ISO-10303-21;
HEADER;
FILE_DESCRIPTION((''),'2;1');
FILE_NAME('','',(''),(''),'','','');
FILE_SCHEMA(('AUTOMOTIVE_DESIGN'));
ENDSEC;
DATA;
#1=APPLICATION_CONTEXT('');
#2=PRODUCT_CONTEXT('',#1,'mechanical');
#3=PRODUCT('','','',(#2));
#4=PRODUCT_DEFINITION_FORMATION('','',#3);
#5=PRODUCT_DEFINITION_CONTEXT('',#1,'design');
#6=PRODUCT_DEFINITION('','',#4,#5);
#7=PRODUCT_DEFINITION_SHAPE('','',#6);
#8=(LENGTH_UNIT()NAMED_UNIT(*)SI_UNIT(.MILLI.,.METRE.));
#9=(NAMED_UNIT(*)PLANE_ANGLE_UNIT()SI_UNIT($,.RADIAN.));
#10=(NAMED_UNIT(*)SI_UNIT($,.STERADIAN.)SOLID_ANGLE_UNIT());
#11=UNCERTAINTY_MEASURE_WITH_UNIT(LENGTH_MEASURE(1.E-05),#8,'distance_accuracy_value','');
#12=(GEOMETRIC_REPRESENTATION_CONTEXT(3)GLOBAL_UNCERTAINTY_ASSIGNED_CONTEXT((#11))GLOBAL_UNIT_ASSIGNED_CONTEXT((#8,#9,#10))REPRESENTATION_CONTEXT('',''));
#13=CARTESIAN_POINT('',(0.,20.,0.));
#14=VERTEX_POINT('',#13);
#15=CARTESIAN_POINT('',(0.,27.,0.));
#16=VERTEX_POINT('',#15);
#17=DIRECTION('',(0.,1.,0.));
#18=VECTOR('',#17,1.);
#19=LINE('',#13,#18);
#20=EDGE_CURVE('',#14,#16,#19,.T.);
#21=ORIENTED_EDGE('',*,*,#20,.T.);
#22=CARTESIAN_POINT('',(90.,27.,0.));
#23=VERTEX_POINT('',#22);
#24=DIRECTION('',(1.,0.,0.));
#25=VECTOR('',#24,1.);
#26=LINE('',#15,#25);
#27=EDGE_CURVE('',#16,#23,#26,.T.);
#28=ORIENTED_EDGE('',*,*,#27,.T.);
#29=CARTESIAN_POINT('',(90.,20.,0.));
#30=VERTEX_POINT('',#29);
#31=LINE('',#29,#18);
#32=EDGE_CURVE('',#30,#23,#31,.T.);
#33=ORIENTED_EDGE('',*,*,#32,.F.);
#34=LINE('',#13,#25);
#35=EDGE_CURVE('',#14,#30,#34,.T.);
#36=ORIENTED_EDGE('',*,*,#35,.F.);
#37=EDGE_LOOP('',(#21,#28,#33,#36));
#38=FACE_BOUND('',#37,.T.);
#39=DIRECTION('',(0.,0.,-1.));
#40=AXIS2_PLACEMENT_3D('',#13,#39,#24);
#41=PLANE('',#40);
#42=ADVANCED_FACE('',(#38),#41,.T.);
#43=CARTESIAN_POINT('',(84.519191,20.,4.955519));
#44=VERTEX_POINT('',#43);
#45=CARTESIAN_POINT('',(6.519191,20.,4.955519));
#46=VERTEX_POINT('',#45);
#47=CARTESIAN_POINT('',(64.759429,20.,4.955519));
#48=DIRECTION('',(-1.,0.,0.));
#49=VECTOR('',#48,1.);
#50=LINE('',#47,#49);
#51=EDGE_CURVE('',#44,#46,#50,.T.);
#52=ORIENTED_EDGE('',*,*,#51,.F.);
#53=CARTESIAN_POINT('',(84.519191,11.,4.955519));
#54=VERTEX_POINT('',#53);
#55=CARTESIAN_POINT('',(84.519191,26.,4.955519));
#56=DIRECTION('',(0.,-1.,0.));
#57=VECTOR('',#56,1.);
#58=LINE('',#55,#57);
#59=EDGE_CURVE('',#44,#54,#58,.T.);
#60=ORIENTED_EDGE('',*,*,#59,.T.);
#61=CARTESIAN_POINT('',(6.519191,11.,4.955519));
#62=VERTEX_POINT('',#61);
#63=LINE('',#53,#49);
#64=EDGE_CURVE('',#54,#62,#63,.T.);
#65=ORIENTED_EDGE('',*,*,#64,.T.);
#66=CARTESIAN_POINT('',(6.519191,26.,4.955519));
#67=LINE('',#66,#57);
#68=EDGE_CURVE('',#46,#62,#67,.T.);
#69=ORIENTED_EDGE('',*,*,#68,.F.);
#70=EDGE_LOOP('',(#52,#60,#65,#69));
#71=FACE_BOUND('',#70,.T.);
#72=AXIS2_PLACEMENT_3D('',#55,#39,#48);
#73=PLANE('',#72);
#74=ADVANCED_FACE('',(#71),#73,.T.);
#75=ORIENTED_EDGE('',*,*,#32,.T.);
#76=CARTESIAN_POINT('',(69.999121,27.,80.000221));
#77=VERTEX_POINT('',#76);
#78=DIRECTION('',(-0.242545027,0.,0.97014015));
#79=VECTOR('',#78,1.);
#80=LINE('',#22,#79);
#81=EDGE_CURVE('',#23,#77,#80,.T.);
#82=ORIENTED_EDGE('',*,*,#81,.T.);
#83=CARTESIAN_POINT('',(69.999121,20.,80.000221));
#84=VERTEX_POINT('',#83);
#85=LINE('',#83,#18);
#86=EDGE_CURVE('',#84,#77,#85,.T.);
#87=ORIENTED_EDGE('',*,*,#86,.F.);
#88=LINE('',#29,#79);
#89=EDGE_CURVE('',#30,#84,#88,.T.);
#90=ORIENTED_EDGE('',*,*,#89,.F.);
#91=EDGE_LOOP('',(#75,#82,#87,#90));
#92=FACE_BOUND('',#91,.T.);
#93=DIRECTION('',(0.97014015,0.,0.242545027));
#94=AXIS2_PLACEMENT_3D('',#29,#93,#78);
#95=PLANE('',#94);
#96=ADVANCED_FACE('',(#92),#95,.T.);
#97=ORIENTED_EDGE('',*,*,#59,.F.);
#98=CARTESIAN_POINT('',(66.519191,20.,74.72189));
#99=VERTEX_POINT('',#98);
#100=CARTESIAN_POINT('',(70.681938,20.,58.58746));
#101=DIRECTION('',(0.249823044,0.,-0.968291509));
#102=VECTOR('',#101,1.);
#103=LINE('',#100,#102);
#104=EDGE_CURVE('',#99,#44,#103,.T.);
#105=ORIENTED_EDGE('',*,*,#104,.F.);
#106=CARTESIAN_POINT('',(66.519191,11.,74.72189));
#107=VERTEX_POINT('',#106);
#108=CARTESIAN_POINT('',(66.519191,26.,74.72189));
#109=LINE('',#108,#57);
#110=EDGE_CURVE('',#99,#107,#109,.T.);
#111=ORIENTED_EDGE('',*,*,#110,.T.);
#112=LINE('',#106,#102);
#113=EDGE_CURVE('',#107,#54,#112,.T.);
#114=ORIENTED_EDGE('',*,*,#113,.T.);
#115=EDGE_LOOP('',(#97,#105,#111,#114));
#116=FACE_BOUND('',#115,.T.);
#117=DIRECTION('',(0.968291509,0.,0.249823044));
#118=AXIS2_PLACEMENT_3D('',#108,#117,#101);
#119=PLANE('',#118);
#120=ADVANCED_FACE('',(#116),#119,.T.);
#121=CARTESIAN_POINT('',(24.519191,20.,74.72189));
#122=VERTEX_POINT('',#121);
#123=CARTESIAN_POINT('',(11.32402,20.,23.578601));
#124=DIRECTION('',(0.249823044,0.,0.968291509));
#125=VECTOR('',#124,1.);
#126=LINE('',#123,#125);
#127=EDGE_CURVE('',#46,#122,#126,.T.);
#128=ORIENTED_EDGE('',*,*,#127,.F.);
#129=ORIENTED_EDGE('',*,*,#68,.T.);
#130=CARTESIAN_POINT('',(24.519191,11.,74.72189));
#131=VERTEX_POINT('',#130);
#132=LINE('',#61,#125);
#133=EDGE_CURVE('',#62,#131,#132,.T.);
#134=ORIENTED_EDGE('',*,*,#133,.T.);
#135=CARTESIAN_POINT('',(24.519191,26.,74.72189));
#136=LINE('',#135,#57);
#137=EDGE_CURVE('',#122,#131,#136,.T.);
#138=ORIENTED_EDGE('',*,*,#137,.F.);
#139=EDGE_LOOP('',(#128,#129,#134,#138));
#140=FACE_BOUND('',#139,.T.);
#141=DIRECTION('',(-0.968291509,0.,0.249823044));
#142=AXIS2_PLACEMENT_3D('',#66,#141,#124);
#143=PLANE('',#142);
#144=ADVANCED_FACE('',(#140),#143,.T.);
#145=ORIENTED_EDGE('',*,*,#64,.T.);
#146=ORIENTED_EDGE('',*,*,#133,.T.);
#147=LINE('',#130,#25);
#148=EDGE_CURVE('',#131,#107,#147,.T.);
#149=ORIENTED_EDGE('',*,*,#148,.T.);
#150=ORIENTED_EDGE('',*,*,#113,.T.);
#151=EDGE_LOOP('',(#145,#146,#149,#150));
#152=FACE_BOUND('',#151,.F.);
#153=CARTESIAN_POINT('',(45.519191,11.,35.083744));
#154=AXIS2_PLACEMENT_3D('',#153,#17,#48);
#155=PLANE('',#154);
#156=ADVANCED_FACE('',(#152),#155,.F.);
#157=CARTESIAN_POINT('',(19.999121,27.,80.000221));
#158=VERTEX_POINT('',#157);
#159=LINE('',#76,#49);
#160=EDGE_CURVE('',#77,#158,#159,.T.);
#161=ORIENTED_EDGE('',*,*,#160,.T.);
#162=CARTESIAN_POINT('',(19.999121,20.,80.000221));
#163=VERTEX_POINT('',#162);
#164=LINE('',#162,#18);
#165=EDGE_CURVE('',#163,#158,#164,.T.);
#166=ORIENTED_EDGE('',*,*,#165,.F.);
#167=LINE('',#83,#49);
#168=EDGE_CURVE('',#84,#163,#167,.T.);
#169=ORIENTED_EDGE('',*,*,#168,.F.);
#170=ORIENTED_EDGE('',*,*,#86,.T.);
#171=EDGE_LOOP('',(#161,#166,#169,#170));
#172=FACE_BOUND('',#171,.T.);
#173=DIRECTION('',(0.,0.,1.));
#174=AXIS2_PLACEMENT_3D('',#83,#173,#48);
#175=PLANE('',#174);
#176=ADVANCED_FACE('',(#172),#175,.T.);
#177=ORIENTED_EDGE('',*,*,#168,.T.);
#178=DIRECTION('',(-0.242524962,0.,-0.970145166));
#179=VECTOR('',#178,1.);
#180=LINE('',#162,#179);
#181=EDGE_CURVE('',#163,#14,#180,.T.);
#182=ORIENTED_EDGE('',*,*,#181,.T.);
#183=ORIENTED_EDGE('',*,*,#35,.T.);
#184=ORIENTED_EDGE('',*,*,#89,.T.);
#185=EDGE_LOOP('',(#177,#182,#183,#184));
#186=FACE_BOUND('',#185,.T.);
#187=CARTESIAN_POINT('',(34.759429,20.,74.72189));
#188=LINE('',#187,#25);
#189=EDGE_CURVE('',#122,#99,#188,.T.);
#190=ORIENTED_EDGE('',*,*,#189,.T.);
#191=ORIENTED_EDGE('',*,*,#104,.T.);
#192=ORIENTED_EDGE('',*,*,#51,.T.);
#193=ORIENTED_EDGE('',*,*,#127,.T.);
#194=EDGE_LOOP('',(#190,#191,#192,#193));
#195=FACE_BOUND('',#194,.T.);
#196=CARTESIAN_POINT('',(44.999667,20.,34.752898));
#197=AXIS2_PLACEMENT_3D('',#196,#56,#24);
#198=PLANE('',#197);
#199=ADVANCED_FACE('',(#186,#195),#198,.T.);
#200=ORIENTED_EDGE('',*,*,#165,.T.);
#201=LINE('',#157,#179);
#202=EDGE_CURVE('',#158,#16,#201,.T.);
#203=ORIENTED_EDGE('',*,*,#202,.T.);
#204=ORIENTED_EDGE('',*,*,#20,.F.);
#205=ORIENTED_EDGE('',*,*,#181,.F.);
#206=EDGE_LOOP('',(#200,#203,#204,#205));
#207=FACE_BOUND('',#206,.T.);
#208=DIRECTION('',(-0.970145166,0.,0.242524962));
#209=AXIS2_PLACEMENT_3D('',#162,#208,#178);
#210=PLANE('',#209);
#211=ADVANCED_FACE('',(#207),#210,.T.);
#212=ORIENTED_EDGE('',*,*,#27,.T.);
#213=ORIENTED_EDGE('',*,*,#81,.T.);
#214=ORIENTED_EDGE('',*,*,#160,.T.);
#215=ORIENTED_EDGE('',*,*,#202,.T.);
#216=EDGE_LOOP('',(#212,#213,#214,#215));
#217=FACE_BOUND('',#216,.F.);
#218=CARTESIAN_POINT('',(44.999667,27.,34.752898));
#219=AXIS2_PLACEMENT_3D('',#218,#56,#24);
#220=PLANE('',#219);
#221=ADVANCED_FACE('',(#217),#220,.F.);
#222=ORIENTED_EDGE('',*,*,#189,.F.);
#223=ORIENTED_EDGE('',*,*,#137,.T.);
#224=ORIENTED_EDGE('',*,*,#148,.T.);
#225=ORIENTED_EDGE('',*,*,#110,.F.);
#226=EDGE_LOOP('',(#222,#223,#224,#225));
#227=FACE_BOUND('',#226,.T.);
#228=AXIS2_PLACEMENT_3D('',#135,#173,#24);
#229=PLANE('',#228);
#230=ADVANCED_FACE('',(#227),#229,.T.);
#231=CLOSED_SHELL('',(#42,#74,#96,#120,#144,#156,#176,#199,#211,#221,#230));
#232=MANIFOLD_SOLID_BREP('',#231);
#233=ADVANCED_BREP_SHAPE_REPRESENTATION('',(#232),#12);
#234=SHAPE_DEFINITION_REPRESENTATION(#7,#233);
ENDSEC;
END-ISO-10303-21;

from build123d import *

# Parameters (mm, degrees)
EXTRUDE006_DEPTH = 7
EXTRUDE002_DEPTH = 15


with BuildPart() as extrude006:
    # Sketch007 → Extrude006 (new body)
    with BuildSketch(Plane(origin=(0, 20, 0), x_dir=(-1, 0, 0), z_dir=(0, 1, 0))):
        Polygon((-90, 0), (-69.999121, 80.000221), (-19.999121, 80.000221), (0, 0), align=None)
    extrude(amount=EXTRUDE006_DEPTH)


with BuildPart() as fusion:
    # Sketch003 → Extrude002 (new body)
    with BuildSketch(Plane.XZ):
        Polygon((6.519191, 4.955519), (24.519191, 74.72189), (66.519191, 74.72189), (84.519191, 4.955519), align=None)
    extrude(amount=EXTRUDE002_DEPTH)


with BuildPart() as fusion_1:
    # Extrude002 placement: moved
    add(fusion.part.moved(Location((0, 26, 0))))

    # Fusion: union Extrude006
    add(extrude006.part)


solid = fusion_1.part
